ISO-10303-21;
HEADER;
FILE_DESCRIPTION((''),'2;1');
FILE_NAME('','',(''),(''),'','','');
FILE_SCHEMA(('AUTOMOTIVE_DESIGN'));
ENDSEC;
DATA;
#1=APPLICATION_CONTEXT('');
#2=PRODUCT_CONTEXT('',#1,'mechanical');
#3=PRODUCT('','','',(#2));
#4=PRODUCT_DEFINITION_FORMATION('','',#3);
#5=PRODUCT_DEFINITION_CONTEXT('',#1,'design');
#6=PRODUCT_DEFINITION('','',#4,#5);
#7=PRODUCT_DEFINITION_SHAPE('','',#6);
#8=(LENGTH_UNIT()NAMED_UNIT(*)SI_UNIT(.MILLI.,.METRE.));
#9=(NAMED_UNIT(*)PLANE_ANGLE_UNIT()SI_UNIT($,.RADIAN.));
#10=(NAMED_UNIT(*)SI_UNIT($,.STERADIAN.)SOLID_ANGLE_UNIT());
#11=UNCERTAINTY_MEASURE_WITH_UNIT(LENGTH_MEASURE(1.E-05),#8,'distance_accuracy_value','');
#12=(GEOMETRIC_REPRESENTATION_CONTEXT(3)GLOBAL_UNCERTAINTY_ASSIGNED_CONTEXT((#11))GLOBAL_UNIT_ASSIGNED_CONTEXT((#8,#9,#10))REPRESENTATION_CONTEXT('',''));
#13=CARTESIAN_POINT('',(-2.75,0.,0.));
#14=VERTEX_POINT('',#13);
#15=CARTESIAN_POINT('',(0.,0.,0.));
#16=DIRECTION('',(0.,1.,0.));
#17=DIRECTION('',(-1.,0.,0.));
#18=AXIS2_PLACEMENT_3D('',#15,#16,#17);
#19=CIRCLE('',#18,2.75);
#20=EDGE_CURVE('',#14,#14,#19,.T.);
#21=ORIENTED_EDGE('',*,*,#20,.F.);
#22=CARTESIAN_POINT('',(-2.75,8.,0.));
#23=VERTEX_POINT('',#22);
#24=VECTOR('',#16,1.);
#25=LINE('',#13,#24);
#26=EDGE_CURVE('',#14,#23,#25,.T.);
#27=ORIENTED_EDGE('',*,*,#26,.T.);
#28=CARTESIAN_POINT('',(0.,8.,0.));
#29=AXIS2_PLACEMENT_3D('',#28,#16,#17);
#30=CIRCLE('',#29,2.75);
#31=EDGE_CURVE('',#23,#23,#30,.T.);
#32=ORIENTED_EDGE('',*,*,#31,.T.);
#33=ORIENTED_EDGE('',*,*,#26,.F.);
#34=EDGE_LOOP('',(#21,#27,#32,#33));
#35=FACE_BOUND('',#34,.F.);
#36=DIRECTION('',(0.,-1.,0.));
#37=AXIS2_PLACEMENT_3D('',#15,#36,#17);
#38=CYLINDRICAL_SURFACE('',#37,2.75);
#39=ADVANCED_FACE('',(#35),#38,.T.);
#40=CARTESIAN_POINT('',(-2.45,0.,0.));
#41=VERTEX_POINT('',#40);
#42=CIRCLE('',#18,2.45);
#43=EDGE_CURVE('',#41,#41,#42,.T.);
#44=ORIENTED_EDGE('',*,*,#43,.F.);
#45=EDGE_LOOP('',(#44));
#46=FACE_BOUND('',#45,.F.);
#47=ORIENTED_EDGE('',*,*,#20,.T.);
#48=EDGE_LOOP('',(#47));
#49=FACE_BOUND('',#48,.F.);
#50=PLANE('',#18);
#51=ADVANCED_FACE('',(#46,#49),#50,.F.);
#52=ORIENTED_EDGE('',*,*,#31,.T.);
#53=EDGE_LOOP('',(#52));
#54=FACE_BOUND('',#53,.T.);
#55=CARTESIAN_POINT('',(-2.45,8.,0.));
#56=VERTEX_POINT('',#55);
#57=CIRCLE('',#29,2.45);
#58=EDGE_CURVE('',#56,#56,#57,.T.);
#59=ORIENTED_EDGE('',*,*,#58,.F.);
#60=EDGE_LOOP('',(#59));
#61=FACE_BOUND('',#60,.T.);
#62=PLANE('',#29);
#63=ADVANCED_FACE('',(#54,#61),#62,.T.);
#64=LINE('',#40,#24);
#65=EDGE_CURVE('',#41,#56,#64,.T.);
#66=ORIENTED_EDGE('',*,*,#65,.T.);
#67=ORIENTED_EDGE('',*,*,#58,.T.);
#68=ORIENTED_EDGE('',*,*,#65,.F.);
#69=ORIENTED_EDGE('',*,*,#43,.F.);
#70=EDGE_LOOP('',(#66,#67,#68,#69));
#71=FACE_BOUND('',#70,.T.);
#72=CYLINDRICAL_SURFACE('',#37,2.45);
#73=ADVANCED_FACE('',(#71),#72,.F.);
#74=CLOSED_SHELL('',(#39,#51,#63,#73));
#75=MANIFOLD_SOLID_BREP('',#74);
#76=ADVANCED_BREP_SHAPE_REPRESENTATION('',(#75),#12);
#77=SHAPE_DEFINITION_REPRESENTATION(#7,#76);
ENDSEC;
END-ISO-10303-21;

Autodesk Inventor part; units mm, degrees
ref_plane "YZ Plane" through (0, 0, 0) normal (1, 0, 0) x (0, 1, 0)
ref_plane "XZ Plane" through (0, 0, 0) normal (0, 1, 0) x (-1, 0, 0)
ref_plane "XY Plane" through (0, 0, 0) normal (0, 0, 1) x (1, 0, 0)
sketch "スケッチ1" plane through (0, 0, 0) normal (0, 1, 0) x (-1, 0, 0)
  circle A0 centre (0, 0) radius 2.75
  circle A1 centre (0, 0) radius 2.45
  dimension "d0" = 5.5
  dimension "d1" = 4.9
extrude "押し出し1" add sketch "スケッチ1" along normal blind 8
properties part number "CP 0 v1" material "鋼"
